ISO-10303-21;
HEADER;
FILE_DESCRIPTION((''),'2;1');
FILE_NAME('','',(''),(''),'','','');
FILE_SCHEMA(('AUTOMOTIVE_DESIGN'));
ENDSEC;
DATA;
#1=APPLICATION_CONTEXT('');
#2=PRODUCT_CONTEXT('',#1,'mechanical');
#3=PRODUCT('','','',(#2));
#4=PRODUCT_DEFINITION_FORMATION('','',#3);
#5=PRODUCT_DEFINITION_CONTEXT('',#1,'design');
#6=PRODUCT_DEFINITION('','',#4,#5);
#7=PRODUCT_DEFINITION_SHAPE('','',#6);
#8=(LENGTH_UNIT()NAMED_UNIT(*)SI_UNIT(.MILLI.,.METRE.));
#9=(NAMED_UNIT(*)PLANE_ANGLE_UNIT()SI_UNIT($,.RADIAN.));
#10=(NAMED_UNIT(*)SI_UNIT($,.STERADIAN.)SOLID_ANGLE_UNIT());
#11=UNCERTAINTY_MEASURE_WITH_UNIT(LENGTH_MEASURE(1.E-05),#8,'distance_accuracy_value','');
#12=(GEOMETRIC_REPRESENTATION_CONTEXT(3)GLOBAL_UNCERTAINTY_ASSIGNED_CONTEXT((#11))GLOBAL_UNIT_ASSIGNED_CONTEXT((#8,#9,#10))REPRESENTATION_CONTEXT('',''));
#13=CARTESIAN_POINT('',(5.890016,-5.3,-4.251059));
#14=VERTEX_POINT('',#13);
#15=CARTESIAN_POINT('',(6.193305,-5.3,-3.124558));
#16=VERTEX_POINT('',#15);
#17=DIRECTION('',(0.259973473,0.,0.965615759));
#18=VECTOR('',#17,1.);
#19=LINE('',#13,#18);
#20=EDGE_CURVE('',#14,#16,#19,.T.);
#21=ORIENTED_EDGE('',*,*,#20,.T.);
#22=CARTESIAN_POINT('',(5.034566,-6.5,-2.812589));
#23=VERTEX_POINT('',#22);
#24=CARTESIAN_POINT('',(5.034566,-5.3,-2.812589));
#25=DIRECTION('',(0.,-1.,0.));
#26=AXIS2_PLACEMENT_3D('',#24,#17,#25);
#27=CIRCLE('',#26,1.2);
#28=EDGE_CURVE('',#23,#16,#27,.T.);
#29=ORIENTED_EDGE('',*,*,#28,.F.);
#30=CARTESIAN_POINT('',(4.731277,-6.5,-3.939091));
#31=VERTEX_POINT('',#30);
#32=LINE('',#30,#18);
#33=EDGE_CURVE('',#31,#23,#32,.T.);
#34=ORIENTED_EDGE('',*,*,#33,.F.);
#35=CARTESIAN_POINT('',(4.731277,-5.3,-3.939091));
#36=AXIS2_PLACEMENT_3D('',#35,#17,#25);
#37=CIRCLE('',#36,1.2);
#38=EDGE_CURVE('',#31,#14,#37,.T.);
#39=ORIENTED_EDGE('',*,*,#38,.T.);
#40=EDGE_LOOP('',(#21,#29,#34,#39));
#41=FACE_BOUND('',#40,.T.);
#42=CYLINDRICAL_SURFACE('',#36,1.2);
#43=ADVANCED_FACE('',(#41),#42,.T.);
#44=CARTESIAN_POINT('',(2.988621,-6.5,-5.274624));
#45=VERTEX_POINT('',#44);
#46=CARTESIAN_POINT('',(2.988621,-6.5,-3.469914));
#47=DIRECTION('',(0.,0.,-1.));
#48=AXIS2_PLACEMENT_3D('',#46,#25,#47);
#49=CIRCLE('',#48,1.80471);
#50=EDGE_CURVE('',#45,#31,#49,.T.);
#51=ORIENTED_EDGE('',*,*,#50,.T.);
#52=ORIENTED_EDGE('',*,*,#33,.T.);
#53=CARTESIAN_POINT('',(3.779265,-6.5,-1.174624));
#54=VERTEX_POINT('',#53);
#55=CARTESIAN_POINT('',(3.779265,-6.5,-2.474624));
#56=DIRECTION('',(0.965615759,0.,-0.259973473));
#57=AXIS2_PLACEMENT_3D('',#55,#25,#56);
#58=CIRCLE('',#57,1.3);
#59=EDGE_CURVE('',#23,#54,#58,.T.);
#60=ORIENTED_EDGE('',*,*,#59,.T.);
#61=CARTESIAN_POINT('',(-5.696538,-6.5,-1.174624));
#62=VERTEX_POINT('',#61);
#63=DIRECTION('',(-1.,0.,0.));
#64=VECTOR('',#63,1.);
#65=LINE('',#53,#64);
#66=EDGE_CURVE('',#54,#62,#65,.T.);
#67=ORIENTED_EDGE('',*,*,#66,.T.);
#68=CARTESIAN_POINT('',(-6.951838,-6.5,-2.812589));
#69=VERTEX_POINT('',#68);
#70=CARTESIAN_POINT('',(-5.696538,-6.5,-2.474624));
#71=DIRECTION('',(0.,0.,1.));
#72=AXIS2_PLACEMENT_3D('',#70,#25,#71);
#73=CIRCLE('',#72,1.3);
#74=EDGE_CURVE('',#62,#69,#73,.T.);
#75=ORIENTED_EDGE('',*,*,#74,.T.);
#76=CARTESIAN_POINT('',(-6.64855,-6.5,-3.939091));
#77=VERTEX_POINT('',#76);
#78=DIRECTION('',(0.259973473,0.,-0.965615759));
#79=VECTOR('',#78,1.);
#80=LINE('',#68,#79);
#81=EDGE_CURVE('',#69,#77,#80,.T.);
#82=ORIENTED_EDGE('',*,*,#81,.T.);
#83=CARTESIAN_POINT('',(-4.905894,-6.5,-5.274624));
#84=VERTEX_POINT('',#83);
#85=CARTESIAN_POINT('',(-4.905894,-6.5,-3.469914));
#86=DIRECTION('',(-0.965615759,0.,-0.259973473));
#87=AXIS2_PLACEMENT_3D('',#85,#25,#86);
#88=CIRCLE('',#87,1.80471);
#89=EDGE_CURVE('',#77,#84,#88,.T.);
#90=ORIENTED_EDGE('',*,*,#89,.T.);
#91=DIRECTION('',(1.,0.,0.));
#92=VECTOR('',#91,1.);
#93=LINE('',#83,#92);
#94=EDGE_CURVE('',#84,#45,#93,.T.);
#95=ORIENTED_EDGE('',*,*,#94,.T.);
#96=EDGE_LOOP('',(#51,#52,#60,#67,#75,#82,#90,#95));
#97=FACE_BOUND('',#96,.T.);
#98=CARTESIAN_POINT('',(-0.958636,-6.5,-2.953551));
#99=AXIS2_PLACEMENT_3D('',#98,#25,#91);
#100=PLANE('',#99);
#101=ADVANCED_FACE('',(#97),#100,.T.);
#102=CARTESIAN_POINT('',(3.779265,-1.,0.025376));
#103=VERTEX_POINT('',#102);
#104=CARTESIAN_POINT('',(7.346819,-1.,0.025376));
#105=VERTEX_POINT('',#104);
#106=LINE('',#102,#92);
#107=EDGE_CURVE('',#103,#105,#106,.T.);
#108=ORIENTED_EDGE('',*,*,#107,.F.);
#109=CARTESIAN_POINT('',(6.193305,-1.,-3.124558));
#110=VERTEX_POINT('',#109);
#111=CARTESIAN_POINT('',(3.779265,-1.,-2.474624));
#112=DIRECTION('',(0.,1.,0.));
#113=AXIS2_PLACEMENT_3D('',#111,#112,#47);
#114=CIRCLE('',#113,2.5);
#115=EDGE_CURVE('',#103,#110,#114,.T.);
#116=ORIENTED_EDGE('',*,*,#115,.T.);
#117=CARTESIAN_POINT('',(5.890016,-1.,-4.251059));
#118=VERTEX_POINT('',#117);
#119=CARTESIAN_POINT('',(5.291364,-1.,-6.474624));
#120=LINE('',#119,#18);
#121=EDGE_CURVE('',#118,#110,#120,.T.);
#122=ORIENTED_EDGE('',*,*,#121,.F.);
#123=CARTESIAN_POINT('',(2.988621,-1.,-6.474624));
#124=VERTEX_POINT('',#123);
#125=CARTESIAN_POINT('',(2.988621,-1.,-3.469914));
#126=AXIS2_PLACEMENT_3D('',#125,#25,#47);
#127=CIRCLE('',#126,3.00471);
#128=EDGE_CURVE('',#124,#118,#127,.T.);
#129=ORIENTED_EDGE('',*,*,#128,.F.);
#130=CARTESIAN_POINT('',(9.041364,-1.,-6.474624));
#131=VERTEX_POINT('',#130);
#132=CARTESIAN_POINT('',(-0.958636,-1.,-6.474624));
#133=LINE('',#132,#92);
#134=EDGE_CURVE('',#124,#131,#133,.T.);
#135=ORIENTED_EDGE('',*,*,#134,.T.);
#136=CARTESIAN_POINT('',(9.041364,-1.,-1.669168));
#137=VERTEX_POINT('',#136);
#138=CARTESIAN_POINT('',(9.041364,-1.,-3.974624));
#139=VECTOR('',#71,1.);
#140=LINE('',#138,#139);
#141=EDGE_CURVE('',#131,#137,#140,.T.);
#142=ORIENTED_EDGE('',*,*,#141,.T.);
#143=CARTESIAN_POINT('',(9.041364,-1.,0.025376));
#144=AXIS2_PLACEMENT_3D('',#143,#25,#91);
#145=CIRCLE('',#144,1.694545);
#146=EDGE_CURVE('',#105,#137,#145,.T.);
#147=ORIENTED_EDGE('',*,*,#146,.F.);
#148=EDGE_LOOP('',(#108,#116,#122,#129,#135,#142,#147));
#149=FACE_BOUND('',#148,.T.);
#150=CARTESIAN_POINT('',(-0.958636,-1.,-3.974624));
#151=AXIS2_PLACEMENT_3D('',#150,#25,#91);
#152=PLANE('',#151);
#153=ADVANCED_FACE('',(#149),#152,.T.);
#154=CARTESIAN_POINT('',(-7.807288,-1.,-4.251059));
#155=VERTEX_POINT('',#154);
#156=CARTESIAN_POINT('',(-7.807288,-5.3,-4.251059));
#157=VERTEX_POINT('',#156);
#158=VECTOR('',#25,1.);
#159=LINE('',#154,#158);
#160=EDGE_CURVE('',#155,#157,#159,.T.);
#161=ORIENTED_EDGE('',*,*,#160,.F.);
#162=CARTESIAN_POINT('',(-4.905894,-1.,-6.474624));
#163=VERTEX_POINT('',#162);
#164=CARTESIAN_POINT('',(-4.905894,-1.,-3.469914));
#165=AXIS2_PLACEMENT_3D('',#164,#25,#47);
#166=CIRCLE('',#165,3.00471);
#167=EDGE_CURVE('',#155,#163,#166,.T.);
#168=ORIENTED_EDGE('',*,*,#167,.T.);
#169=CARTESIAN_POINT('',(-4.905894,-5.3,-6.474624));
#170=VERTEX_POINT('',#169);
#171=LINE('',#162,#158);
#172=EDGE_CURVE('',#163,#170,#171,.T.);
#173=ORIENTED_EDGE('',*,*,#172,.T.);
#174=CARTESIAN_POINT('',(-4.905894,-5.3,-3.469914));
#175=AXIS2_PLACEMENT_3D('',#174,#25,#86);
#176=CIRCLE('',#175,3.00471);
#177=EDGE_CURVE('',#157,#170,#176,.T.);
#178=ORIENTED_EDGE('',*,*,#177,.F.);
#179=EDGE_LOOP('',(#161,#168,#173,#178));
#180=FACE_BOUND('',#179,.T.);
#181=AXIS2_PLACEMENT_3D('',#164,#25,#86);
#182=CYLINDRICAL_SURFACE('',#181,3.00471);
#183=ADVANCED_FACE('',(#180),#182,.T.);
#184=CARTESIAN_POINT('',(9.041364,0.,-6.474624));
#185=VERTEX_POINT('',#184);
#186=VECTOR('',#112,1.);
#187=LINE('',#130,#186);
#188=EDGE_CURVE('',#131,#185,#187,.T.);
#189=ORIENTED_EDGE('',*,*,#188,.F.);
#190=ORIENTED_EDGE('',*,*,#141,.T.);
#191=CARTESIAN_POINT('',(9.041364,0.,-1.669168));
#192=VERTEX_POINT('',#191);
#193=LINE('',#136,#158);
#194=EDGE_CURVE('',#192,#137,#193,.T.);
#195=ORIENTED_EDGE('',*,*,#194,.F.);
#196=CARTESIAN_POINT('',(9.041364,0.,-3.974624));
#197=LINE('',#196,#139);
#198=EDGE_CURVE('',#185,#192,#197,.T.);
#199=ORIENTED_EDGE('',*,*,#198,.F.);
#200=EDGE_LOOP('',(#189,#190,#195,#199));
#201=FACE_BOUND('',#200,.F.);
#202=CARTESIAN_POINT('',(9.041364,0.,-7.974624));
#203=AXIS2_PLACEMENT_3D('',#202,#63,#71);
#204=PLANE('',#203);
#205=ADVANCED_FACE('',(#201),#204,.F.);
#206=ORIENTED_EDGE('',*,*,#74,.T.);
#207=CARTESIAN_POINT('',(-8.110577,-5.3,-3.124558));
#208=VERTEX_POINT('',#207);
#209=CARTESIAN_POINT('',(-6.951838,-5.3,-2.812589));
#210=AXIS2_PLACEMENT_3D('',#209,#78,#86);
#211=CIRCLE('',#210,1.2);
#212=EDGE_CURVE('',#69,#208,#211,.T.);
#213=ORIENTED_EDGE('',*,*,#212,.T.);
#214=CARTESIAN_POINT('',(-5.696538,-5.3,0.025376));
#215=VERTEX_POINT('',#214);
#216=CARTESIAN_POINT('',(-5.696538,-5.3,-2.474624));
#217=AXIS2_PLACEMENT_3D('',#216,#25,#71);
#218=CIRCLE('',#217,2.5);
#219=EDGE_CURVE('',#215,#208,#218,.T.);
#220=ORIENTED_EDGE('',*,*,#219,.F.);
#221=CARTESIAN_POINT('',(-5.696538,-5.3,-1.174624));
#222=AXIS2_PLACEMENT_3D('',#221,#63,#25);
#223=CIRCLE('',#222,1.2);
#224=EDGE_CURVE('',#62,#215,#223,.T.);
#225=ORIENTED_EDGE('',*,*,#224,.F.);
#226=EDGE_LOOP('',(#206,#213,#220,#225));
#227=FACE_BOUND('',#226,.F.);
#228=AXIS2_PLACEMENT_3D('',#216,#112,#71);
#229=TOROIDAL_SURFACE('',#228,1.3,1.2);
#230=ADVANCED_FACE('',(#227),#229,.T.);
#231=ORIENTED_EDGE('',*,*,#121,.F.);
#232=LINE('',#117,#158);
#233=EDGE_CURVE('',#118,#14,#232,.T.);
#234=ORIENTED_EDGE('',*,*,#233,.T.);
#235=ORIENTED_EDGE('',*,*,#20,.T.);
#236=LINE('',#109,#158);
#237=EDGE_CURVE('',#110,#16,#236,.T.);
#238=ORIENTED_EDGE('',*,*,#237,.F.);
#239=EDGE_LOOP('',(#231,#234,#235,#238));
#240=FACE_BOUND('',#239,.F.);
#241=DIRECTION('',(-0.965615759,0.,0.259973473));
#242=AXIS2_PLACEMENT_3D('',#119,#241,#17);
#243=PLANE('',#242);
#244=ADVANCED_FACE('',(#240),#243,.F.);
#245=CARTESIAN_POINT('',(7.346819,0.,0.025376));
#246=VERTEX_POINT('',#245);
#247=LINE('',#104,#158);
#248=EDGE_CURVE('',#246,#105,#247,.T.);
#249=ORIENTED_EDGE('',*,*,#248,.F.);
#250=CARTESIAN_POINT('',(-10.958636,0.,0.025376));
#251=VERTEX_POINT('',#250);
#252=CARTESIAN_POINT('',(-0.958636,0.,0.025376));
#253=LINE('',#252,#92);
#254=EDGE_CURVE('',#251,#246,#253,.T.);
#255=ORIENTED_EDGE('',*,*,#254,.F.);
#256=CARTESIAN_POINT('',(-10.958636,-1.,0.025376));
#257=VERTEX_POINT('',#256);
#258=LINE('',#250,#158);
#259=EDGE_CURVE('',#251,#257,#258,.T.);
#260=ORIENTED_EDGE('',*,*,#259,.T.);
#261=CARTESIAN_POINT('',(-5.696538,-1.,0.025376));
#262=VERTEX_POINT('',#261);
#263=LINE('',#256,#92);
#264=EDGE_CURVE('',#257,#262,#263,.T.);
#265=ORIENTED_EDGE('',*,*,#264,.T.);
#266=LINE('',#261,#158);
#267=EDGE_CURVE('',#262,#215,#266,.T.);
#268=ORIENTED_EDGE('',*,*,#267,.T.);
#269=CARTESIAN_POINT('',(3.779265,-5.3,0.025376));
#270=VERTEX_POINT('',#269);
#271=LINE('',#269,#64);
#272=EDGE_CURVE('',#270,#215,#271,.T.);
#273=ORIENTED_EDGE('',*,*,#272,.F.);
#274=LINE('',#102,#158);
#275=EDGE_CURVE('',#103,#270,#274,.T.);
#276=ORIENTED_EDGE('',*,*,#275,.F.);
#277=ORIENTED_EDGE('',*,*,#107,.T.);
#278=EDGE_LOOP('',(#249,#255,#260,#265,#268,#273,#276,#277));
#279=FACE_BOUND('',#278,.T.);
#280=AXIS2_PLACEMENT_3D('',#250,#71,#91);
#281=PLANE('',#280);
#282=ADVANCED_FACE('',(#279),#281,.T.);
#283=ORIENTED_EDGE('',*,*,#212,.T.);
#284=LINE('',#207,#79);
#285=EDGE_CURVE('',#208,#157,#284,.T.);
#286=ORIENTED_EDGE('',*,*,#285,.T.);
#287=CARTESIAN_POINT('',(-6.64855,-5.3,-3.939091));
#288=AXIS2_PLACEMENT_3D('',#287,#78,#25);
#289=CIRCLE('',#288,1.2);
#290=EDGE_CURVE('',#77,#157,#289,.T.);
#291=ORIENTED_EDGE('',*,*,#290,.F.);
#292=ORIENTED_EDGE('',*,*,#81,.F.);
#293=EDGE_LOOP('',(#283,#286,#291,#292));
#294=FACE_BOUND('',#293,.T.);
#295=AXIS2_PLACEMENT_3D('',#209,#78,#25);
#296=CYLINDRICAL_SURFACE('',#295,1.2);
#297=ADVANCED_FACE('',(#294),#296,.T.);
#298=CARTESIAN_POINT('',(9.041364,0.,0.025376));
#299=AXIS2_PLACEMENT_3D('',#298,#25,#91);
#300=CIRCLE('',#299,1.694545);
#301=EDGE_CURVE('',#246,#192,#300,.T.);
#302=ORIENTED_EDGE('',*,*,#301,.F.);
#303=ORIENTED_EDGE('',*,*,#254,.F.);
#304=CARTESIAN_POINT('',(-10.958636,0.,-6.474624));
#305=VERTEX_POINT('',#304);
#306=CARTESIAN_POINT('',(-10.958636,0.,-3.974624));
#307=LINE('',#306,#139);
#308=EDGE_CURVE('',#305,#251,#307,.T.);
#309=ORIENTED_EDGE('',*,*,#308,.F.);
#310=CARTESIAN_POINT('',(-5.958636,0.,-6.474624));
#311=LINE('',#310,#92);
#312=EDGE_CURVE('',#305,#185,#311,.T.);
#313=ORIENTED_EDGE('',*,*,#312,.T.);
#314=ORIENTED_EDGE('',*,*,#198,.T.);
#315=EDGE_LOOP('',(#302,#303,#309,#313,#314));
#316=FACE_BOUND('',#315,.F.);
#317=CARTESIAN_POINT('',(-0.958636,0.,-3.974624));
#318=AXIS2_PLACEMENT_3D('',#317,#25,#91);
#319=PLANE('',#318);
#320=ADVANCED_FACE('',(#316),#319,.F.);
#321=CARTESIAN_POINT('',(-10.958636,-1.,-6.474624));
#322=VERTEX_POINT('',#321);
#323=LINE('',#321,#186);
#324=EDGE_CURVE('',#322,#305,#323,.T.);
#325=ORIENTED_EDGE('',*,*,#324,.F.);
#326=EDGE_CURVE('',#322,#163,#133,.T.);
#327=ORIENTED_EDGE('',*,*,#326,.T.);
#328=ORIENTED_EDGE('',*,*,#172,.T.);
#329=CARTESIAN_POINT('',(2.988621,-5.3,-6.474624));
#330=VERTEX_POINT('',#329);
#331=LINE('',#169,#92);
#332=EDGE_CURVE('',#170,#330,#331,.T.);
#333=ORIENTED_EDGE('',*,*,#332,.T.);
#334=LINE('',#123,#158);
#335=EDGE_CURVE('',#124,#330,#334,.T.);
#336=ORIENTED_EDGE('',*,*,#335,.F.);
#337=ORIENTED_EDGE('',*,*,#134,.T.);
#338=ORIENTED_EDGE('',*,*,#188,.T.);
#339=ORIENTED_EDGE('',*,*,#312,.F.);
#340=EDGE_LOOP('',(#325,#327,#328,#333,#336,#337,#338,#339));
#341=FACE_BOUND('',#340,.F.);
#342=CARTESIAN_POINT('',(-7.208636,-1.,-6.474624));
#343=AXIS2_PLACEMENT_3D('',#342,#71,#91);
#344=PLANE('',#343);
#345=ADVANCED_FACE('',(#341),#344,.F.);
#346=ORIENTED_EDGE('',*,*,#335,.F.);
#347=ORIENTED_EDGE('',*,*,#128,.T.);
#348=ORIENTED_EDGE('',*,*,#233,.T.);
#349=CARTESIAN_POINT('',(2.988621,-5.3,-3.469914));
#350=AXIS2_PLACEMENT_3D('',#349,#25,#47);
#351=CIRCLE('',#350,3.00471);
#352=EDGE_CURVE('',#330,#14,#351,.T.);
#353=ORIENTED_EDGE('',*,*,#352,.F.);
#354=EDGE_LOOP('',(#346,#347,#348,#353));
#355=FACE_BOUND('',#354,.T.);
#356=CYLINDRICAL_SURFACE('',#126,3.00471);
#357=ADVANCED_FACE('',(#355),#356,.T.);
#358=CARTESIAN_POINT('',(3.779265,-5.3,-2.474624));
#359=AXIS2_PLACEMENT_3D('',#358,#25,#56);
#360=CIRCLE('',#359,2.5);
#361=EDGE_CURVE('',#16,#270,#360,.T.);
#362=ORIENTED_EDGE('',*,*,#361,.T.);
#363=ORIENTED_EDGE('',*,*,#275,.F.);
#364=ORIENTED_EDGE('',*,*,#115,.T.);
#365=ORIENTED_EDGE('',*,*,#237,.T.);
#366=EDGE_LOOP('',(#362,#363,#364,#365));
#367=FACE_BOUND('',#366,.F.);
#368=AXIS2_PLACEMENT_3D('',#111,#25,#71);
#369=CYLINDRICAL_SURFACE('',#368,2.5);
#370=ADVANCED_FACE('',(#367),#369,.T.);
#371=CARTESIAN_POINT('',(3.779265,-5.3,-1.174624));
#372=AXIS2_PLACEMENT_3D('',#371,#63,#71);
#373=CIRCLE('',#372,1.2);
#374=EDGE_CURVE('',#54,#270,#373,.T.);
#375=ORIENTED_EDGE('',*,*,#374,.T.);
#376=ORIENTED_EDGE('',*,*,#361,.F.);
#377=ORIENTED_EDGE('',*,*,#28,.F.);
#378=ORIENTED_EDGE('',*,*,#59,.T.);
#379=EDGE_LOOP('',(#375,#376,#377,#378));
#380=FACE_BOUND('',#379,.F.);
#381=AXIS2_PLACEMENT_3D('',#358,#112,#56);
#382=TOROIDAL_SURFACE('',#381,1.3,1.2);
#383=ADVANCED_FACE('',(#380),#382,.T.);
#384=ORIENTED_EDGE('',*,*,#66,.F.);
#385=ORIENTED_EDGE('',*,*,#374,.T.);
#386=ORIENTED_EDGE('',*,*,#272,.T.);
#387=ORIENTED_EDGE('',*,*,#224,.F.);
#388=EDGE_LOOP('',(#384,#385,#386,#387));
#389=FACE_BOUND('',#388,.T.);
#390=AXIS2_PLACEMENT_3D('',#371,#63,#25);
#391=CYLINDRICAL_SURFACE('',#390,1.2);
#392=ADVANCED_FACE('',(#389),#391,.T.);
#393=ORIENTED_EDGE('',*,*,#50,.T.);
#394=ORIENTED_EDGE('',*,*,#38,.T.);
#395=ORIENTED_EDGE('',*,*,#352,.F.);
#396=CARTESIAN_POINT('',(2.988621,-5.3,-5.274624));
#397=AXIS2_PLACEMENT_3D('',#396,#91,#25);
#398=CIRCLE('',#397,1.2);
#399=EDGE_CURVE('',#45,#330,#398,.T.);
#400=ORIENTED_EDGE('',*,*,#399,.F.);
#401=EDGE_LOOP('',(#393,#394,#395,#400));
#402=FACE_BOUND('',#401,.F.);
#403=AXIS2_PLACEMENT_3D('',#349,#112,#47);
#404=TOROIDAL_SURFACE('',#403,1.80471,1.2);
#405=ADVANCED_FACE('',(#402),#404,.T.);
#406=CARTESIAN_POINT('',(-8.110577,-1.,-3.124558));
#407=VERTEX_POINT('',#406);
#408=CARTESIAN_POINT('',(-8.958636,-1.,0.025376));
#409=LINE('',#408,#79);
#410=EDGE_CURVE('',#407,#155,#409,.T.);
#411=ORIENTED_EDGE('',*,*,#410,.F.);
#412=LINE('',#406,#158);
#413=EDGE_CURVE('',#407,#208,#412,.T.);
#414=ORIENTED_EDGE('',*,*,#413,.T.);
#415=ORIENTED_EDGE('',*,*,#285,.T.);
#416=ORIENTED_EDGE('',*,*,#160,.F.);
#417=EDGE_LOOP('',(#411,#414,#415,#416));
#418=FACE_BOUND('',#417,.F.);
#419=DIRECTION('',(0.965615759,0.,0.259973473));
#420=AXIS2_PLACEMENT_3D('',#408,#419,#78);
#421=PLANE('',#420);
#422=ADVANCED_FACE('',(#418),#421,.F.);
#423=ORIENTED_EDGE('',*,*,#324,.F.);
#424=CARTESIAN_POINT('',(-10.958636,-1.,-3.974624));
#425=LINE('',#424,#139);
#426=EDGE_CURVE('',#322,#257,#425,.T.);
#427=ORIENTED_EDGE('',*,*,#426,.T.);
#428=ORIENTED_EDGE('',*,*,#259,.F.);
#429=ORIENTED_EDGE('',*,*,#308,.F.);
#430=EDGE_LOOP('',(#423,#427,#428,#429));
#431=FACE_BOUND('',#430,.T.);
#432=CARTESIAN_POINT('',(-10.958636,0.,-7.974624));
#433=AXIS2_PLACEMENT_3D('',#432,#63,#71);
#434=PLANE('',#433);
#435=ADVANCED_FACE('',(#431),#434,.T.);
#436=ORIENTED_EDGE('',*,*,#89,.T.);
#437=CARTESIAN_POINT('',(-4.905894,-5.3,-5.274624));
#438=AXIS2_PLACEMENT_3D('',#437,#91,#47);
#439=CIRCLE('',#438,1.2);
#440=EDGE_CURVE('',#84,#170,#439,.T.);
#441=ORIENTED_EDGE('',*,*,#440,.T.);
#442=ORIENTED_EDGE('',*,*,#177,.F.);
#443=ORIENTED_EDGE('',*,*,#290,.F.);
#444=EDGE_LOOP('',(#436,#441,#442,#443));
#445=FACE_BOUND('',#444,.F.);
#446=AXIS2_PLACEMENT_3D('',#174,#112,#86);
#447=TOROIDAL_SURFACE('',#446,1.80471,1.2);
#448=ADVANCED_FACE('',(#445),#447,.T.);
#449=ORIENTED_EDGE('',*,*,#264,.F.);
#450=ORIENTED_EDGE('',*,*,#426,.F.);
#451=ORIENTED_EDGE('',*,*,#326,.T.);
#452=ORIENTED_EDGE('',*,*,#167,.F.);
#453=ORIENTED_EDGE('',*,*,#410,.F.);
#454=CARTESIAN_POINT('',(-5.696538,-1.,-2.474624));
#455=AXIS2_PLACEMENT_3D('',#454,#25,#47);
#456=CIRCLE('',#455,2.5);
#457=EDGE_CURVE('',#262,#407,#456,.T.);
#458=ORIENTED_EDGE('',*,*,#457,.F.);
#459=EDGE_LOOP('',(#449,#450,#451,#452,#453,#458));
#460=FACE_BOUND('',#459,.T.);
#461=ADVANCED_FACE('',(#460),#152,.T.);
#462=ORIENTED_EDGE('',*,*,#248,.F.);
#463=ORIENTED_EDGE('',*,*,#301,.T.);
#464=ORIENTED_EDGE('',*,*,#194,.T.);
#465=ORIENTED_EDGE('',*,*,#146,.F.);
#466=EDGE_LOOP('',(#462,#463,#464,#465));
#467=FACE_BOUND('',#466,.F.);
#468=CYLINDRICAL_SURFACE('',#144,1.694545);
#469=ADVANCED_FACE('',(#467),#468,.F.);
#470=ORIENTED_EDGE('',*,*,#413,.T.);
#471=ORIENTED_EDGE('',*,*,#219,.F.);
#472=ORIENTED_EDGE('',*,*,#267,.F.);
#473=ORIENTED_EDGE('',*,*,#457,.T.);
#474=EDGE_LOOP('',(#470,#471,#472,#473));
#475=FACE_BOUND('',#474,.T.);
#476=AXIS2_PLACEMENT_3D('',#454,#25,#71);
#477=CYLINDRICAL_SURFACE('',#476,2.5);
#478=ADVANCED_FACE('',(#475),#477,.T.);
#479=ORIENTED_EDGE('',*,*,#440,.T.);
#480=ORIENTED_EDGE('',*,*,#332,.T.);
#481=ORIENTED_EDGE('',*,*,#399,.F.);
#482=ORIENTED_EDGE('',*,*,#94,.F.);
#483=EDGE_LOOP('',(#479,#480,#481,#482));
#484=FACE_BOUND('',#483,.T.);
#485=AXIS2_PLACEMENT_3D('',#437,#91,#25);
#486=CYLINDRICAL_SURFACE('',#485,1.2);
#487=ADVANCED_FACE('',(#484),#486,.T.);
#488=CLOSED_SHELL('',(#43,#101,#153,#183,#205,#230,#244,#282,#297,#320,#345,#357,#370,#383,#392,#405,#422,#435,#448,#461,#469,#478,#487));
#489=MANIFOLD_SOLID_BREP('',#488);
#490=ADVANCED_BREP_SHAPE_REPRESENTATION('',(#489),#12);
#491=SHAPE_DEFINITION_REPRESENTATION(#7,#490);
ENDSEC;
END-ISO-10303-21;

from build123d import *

# Parameters (mm, degrees)
F0_W      = 20
F0_H      = 8
F1_DEPTH  = 1
F3_DEPTH  = 5.5
F4_R      = 2.5
F5_R      = 3.0047096082
F6_R      = 1.2
F7_W      = 20
F7_H      = 1.5
F8_DEPTH  = 25
F9_R      = 1.6945445142
F10_DEPTH = 25


with BuildPart() as f1:
    # F0 (on Front) → F1 (new body)
    with BuildSketch(Plane.XZ):
        with Locations((-0.9586364031, -3.9746239682)):
            Rectangle(F0_W, F0_H)
    extrude(amount=F1_DEPTH)

    # F2 (on face) → F3 (join)
    with BuildSketch(Plane.XZ.offset(1)):
        Polygon((7.0413635969, 0.0253760318), (-8.9586364031, 0.0253760318), (-7.2086364031, -6.4746239682), (5.2913635969, -6.4746239682), align=None)
    extrude(amount=F3_DEPTH)

    # F4
    f4_edges = [f1.edges().sort_by_distance(p)[0] for p in [
        (7.041364, -3.75, 0.025376),
        (-8.958636, -3.75, 0.025376),
    ]]
    fillet(f4_edges, radius=F4_R)

    # F5
    f5_edges = [f1.edges().sort_by_distance(p)[0] for p in [
        (5.291364, -3.75, -6.474624),
        (-7.208636, -3.75, -6.474624),
    ]]
    fillet(f5_edges, radius=F5_R)

    # F6
    f6_edges = [f1.edges().sort_by_distance(p)[0] for p in [
        (6.04166, -6.5, -3.687808),
        (4.816347, -6.5, -5.854804),
        (5.763558, -6.5, -0.953906),
        (-0.958636, -6.5, -6.474624),
        (-0.958636, -6.5, 0.025376),
        (-6.73362, -6.5, -5.854804),
        (-7.680831, -6.5, -0.953906),
        (-7.958933, -6.5, -3.687808),
    ]]
    fillet(f6_edges, radius=F6_R)

    # F7 (on face) → F8 (cut)
    with BuildSketch(Plane.XZ.offset(1)):
        with Locations((-0.9586364031, -7.2246239682)):
            Rectangle(F7_W, F7_H)
    extrude(amount=-F8_DEPTH, mode=Mode.SUBTRACT)

    # F9 (on face) → F10 (cut)
    with BuildSketch(Plane.XZ.offset(1)):
        with Locations((9.0413635969, 0.0253760318)):
            Circle(F9_R)
    extrude(amount=-F10_DEPTH, mode=Mode.SUBTRACT)


solid = f1.part
